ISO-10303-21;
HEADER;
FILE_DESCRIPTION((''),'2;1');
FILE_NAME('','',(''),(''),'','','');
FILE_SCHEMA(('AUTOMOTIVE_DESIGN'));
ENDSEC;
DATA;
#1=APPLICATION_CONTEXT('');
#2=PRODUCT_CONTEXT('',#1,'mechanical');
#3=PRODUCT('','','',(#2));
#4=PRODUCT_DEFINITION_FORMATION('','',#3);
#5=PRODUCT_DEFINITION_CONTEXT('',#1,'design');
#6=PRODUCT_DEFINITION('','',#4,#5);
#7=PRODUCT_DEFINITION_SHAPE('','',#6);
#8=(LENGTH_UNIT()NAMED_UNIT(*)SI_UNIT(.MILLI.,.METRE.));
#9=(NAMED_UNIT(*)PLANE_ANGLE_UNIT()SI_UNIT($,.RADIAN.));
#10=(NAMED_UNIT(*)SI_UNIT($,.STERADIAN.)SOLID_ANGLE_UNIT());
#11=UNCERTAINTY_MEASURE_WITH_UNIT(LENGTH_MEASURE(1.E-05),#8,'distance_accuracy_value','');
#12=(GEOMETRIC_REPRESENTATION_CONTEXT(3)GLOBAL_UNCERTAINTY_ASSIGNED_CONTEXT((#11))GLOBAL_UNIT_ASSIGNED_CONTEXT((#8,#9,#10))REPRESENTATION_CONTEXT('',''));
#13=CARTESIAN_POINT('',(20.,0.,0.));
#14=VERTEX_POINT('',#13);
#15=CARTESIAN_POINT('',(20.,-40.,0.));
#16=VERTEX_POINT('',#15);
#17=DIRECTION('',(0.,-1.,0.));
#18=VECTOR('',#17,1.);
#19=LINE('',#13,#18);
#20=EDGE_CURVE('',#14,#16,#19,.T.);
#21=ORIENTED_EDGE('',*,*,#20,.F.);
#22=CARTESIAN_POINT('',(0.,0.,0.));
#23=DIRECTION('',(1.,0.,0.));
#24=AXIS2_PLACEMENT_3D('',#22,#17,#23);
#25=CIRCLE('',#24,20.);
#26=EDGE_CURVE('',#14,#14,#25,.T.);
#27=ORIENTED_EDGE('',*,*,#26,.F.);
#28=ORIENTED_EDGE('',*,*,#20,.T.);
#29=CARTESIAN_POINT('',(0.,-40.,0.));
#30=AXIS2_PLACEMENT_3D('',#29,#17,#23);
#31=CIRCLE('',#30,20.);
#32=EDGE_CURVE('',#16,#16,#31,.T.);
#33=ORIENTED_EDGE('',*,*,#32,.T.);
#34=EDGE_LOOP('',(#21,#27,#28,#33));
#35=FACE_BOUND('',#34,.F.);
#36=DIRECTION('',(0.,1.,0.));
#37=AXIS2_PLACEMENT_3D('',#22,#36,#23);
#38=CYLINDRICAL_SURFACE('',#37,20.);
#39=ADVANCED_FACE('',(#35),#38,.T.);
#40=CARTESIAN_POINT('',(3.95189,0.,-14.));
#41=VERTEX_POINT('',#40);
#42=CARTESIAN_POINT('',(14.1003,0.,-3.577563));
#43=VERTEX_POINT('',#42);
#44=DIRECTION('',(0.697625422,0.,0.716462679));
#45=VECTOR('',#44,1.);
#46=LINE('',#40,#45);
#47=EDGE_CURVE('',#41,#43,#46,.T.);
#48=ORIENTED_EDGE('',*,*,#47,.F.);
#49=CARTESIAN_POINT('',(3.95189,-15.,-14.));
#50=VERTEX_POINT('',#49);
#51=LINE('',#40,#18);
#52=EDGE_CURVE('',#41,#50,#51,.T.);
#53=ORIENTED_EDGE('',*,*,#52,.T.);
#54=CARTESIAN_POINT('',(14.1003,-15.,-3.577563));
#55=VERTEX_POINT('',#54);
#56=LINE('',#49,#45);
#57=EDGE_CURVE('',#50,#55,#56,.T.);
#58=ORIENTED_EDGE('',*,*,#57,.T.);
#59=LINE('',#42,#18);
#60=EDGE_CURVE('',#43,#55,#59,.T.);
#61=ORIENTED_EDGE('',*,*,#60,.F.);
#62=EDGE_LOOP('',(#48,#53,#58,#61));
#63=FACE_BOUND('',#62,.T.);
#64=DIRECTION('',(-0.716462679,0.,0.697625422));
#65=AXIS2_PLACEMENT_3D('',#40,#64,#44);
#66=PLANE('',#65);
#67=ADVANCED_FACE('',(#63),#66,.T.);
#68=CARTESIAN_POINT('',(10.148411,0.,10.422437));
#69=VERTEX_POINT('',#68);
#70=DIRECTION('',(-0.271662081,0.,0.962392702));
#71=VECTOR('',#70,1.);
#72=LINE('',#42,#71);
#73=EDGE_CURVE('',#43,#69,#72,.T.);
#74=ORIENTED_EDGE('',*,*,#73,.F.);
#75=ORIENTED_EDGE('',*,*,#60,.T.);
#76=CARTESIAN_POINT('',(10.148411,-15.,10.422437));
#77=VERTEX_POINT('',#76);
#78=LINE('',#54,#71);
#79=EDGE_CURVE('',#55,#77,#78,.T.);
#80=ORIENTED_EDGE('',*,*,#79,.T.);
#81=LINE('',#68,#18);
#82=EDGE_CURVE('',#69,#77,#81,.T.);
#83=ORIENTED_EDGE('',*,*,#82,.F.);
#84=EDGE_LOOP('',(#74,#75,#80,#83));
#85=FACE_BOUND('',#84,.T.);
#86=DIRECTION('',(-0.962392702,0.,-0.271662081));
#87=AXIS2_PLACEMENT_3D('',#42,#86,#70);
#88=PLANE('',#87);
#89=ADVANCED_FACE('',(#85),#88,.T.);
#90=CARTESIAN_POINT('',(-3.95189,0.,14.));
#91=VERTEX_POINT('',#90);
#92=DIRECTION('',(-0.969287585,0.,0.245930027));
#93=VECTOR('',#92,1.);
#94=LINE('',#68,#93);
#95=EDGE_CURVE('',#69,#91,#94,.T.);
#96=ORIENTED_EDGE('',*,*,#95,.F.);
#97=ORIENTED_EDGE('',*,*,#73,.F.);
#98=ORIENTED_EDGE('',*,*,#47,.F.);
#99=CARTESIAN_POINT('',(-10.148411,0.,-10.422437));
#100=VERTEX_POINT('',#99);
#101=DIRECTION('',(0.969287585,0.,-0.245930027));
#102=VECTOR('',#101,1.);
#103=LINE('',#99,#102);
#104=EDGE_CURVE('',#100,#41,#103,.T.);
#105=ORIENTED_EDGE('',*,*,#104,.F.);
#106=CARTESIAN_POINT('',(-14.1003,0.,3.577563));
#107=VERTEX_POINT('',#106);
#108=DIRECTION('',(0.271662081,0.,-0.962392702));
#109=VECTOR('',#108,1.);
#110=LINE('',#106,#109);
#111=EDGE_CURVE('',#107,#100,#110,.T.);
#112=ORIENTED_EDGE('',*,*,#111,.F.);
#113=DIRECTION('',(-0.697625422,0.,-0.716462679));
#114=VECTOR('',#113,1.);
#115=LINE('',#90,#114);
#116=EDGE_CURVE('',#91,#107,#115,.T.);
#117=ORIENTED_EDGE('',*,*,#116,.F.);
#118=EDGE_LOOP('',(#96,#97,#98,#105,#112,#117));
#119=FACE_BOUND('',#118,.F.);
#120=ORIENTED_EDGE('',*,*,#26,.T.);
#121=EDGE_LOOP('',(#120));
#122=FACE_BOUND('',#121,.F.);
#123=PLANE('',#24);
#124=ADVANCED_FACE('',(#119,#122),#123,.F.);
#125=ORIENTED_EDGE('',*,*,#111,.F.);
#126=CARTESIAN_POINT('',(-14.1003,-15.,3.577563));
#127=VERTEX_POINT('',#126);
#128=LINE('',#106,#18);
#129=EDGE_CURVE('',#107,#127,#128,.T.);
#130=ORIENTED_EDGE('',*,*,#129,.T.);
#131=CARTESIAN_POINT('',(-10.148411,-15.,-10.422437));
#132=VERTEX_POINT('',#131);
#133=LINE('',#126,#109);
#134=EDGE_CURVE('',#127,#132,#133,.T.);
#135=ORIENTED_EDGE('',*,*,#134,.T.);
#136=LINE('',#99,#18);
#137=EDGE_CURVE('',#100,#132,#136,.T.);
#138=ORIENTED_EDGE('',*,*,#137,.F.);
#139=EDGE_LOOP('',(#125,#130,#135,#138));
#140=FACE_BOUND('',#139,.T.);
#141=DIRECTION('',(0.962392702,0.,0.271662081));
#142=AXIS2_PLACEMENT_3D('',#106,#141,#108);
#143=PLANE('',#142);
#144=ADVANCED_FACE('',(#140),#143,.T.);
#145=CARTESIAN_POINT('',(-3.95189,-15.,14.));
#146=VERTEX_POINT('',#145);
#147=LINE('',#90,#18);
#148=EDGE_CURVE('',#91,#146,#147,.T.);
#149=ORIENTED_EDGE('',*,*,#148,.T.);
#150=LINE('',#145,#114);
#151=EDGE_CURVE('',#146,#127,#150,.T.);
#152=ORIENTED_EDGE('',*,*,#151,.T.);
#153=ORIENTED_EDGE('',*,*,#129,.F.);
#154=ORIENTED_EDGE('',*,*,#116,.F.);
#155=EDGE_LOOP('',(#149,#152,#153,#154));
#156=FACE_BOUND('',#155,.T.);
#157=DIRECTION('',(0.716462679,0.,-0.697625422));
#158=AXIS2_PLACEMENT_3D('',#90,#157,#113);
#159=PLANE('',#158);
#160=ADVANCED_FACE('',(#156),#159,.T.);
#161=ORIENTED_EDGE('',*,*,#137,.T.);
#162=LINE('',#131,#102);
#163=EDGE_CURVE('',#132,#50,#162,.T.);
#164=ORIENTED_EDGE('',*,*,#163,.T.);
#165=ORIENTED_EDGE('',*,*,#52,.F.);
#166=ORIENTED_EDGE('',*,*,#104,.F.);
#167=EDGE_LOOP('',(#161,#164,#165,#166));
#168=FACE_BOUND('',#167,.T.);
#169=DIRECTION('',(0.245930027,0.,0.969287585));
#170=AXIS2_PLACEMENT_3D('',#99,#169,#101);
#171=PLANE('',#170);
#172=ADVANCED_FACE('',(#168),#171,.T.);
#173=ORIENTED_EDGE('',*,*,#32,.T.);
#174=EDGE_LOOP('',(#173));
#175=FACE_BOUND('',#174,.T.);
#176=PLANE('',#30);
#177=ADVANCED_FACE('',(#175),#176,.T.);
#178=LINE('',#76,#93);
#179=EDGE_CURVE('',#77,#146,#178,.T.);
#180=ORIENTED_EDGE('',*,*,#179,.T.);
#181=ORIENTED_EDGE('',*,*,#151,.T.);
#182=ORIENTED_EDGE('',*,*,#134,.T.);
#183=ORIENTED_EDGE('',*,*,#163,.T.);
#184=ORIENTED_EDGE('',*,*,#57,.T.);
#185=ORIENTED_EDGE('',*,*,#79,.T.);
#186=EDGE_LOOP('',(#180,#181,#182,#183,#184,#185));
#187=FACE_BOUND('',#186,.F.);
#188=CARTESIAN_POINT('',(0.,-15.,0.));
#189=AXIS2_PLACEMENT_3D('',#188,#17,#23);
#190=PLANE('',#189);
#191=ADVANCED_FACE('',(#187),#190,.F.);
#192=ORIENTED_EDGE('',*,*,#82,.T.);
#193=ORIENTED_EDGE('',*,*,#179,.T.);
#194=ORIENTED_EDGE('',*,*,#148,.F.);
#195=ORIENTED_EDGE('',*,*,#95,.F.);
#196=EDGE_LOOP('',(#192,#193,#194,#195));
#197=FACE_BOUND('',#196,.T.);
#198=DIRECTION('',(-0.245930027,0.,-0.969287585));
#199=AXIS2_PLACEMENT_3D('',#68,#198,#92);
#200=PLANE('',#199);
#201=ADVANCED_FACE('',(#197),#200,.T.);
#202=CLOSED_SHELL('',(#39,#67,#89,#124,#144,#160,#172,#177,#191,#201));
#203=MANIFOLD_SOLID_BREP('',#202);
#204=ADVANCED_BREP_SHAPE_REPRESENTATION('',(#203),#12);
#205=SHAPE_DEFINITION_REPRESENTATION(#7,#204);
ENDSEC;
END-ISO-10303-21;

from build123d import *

# Parameters (mm, degrees)
F0_R     = 20
F1_DEPTH = 40
F3_DEPTH = 15


with BuildPart() as f1:
    # F0 (on Front) → F1 (new body)
    with BuildSketch(Plane.XZ):
        Circle(F0_R)
    extrude(amount=F1_DEPTH)

    # F2 (on Front) → F3 (cut)
    with BuildSketch(Plane.XZ):
        Polygon((3.95189, -14), (14.1003, -3.577563), (10.148411, 10.422437), (-3.95189, 14), (-14.1003, 3.577563), (-10.148411, -10.422437), align=None)
    extrude(amount=F3_DEPTH, mode=Mode.SUBTRACT)


solid = f1.part
